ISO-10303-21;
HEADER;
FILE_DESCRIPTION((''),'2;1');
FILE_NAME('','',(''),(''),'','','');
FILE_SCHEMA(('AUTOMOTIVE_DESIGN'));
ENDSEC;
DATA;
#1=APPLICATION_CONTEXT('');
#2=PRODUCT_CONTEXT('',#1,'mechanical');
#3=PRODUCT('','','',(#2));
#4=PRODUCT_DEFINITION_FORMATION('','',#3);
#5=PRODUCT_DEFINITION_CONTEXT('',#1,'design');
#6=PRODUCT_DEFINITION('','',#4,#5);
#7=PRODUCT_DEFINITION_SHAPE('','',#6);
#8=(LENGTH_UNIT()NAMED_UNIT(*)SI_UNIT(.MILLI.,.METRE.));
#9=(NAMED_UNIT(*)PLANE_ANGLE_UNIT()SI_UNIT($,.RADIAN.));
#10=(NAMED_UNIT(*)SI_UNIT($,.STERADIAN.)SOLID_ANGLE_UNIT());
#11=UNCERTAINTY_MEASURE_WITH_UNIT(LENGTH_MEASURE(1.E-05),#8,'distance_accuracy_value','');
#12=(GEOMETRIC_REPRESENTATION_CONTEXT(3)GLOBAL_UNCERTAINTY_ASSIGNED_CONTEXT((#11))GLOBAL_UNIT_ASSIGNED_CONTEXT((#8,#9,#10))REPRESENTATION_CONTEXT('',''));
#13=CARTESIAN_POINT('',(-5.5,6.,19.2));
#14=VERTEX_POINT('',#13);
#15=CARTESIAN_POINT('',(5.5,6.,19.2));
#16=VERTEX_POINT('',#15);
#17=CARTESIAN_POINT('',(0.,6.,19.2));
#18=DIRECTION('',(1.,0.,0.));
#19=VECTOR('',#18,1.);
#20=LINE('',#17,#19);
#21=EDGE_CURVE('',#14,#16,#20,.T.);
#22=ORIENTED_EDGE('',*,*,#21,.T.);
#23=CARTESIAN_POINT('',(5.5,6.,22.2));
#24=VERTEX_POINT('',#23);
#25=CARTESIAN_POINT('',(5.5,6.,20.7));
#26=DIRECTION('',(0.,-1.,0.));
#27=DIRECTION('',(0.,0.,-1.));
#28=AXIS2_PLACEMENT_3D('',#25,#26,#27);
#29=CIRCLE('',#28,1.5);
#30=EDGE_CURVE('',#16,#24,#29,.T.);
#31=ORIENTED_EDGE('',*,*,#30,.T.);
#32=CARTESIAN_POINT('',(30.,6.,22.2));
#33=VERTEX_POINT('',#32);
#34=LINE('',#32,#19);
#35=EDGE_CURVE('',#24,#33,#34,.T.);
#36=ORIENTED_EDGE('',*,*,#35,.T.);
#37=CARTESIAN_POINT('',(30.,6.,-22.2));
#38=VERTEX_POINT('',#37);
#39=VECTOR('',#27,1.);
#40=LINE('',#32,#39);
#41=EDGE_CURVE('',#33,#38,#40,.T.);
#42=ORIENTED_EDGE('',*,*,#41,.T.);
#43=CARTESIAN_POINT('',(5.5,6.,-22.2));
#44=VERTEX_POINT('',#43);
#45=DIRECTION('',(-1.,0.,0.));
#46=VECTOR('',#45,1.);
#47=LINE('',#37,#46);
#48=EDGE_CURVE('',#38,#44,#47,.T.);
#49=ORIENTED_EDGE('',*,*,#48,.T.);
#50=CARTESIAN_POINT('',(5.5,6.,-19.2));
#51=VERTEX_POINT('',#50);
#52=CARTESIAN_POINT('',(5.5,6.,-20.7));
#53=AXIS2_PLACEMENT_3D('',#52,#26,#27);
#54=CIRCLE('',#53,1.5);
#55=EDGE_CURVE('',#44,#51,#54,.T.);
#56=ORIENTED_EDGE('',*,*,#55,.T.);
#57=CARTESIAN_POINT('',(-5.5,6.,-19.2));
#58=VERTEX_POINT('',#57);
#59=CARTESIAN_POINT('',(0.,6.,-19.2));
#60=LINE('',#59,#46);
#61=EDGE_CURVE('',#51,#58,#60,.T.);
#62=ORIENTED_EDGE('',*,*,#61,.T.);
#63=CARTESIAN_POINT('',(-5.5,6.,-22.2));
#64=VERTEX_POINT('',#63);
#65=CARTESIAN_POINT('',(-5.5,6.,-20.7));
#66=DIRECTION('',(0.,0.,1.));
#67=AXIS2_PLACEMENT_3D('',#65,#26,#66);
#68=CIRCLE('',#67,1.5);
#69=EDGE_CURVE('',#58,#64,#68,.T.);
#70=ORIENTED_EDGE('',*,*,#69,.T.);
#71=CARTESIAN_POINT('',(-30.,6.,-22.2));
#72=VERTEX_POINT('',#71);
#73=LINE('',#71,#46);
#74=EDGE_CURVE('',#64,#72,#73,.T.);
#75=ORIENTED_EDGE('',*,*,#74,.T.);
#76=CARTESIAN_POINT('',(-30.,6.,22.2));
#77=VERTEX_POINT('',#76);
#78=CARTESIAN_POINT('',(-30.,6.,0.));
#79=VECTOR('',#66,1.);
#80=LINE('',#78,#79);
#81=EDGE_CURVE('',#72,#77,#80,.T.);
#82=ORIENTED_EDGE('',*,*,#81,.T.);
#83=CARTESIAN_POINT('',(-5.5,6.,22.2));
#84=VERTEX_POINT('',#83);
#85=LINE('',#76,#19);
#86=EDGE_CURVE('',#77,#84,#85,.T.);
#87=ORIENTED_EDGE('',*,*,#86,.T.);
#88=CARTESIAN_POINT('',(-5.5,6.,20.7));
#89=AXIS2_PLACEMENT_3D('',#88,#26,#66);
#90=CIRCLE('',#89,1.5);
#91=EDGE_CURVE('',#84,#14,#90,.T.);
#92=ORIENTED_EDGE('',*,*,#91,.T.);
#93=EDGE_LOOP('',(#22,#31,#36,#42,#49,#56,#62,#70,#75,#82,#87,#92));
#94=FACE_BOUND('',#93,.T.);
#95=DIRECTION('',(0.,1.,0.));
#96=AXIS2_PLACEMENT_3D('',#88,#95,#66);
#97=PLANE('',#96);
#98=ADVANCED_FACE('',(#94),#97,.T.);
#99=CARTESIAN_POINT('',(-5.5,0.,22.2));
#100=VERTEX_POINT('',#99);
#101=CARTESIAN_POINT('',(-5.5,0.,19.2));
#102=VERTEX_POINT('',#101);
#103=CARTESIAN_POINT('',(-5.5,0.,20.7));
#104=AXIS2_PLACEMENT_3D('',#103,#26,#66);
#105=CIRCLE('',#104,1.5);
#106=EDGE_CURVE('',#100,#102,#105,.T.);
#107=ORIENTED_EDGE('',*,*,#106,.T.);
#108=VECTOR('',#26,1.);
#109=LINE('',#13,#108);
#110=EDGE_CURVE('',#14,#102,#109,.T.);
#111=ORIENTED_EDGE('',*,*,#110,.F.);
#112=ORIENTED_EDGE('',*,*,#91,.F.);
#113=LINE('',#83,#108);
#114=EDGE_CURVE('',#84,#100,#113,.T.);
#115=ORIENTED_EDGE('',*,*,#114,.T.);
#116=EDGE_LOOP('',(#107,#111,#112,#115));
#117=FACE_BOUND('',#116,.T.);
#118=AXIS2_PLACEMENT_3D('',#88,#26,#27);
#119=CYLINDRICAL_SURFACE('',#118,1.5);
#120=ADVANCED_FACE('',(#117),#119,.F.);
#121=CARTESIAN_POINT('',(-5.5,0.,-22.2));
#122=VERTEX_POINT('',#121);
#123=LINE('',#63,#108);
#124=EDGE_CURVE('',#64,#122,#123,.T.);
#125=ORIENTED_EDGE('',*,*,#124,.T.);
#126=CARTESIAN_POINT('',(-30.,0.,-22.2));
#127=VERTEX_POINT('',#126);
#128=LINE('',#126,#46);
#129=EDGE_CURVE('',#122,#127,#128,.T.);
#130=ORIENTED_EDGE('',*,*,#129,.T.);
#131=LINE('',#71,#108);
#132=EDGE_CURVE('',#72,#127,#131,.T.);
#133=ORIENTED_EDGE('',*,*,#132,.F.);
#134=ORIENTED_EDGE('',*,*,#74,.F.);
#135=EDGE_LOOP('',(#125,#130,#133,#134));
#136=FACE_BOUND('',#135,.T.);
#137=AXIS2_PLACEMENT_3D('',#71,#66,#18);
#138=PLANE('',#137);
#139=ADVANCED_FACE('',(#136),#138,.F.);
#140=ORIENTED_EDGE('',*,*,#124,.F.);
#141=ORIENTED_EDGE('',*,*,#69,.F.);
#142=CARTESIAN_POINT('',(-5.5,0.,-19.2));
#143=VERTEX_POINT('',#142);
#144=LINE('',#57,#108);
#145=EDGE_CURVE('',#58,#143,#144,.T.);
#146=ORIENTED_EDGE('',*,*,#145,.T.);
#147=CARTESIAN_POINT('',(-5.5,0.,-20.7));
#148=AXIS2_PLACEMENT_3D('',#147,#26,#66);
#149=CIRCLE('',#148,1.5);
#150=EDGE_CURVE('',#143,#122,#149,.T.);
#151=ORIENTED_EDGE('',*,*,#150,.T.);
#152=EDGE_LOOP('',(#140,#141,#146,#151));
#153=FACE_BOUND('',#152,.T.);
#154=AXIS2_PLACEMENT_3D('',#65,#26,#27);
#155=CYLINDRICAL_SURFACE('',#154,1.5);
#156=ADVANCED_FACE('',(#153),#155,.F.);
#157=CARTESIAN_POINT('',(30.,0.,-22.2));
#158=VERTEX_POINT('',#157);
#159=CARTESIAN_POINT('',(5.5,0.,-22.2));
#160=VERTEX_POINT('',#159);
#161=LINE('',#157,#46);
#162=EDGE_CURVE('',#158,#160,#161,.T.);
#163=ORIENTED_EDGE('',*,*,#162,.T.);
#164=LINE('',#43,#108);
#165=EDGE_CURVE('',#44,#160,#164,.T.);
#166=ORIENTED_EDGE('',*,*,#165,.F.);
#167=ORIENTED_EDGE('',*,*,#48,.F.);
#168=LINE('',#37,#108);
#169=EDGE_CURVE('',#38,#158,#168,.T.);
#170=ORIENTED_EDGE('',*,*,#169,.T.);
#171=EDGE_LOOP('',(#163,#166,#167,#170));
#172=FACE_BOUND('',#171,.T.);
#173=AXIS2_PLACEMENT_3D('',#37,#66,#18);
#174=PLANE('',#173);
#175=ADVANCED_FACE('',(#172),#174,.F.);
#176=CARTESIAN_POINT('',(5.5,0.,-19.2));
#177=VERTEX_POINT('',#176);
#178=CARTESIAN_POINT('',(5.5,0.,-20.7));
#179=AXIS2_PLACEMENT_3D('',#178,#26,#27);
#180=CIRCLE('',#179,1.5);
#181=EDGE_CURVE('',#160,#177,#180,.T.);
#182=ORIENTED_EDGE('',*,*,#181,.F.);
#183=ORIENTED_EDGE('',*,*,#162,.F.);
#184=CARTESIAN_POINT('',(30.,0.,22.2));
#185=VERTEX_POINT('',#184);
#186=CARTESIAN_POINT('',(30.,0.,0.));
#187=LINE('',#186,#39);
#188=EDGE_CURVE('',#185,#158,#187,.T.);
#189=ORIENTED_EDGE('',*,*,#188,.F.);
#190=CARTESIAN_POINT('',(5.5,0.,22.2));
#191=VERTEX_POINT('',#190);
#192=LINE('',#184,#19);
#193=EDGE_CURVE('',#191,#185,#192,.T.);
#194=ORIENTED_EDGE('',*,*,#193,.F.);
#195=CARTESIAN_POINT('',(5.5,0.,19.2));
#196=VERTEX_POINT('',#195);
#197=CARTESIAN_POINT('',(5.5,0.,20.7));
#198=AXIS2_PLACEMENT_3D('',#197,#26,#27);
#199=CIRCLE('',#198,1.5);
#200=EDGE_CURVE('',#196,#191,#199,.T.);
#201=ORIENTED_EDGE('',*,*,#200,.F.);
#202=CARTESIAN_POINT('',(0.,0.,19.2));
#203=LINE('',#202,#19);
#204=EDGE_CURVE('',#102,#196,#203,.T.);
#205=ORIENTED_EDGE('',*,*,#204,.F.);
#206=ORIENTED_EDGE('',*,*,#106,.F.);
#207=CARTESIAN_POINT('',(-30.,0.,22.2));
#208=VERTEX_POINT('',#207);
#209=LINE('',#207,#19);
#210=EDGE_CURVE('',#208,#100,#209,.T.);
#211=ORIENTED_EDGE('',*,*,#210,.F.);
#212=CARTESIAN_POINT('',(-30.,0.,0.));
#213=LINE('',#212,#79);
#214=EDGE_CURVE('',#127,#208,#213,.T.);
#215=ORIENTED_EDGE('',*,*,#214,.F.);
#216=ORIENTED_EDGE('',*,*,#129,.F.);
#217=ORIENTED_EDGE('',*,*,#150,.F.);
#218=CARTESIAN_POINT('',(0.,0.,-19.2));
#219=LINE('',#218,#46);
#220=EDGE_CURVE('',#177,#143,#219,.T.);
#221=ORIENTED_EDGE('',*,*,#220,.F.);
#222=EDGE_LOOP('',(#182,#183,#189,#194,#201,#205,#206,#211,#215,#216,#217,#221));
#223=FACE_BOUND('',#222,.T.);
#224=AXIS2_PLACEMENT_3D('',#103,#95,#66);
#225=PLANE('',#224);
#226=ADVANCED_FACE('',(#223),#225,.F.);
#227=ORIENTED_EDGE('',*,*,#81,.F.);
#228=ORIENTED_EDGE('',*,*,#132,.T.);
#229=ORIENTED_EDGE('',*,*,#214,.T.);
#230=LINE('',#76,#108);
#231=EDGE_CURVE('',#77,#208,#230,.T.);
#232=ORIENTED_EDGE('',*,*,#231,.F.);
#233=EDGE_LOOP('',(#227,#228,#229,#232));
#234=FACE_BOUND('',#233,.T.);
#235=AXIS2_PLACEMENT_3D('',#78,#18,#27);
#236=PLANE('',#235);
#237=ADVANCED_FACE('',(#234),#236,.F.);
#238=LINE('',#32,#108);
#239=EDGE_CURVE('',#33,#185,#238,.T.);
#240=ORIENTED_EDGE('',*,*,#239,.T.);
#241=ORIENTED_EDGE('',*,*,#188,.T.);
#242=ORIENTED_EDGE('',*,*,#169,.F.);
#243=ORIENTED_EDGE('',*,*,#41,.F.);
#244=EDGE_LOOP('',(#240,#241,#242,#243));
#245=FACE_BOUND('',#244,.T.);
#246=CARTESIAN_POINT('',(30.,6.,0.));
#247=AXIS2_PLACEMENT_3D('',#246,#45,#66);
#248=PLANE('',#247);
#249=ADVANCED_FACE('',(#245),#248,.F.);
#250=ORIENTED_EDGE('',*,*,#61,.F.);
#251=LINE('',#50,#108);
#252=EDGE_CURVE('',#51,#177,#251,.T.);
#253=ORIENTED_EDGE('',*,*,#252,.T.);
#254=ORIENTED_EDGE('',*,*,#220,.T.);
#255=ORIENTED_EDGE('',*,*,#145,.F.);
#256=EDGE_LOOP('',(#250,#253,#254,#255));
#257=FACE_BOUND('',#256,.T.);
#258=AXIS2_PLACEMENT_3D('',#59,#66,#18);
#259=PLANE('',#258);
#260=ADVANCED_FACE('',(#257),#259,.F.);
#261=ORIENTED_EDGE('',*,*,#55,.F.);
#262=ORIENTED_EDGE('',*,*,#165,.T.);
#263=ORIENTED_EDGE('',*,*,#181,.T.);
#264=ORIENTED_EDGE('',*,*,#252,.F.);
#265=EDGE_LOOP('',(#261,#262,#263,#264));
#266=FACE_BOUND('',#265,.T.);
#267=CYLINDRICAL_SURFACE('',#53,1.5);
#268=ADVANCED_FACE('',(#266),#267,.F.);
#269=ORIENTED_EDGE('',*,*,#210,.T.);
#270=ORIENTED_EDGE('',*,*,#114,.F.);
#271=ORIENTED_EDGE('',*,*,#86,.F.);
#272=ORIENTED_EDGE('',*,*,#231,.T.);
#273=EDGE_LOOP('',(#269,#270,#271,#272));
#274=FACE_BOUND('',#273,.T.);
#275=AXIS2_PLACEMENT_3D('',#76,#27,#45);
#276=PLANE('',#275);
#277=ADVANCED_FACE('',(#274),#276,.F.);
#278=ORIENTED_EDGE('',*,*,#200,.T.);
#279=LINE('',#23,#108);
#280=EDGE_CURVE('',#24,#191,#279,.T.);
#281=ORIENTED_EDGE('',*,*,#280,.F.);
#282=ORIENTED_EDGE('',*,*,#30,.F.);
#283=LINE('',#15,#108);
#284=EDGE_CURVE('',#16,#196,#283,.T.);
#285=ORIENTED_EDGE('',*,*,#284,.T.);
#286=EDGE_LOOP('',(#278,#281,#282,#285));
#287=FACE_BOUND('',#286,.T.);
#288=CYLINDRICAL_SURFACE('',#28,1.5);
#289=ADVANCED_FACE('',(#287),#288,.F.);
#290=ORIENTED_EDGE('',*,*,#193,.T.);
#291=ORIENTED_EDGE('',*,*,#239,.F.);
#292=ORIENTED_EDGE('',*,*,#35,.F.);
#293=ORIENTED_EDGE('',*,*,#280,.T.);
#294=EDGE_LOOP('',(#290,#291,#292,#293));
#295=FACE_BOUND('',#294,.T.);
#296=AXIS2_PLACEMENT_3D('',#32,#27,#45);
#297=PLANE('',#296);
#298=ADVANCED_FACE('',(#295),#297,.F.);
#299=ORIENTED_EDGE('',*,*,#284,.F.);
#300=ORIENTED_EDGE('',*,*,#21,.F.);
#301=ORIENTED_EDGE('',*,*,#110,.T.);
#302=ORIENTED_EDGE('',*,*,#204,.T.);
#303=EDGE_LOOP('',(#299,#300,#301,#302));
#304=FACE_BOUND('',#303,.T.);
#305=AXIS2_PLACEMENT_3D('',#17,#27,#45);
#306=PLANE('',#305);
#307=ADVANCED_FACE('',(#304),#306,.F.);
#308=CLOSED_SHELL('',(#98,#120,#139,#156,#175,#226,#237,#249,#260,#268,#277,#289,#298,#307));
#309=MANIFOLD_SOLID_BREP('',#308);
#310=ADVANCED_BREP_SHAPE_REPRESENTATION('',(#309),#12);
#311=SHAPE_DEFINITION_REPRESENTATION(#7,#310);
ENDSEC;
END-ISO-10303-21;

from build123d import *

# Parameters (mm, degrees)
BOSS_EXTRUDE1_DEPTH = 6


with BuildPart() as part:
    # Sketch1 → Boss-Extrude1 (new body)
    with BuildSketch(Plane(origin=(0, 0, 0), x_dir=(1, 0, 0), z_dir=(0, 1, 0))):
        with BuildLine():
            Line((-30, 0), (-30, 22.2))
            Line((-30, 22.2), (-5.5, 22.2))
            ThreePointArc((-5.5, 22.2), (-7, 20.7), (-5.5, 19.2))
            Line((-5.5, 19.2), (0, 19.2))
            Line((0, 19.2), (5.5, 19.2))
            ThreePointArc((5.5, 19.2), (7, 20.7), (5.5, 22.2))
            Line((5.5, 22.2), (30, 22.2))
            Line((30, 22.2), (30, 0))
            Line((30, 0), (30, -22.2))
            Line((30, -22.2), (5.5, -22.2))
            ThreePointArc((5.5, -22.2), (7, -20.7), (5.5, -19.2))
            Line((5.5, -19.2), (0, -19.2))
            Line((0, -19.2), (-5.5, -19.2))
            ThreePointArc((-5.5, -19.2), (-7, -20.7), (-5.5, -22.2))
            Line((-5.5, -22.2), (-30, -22.2))
            Line((-30, -22.2), (-30, 0))
        make_face()
    extrude(amount=BOSS_EXTRUDE1_DEPTH)


solid = part.part
